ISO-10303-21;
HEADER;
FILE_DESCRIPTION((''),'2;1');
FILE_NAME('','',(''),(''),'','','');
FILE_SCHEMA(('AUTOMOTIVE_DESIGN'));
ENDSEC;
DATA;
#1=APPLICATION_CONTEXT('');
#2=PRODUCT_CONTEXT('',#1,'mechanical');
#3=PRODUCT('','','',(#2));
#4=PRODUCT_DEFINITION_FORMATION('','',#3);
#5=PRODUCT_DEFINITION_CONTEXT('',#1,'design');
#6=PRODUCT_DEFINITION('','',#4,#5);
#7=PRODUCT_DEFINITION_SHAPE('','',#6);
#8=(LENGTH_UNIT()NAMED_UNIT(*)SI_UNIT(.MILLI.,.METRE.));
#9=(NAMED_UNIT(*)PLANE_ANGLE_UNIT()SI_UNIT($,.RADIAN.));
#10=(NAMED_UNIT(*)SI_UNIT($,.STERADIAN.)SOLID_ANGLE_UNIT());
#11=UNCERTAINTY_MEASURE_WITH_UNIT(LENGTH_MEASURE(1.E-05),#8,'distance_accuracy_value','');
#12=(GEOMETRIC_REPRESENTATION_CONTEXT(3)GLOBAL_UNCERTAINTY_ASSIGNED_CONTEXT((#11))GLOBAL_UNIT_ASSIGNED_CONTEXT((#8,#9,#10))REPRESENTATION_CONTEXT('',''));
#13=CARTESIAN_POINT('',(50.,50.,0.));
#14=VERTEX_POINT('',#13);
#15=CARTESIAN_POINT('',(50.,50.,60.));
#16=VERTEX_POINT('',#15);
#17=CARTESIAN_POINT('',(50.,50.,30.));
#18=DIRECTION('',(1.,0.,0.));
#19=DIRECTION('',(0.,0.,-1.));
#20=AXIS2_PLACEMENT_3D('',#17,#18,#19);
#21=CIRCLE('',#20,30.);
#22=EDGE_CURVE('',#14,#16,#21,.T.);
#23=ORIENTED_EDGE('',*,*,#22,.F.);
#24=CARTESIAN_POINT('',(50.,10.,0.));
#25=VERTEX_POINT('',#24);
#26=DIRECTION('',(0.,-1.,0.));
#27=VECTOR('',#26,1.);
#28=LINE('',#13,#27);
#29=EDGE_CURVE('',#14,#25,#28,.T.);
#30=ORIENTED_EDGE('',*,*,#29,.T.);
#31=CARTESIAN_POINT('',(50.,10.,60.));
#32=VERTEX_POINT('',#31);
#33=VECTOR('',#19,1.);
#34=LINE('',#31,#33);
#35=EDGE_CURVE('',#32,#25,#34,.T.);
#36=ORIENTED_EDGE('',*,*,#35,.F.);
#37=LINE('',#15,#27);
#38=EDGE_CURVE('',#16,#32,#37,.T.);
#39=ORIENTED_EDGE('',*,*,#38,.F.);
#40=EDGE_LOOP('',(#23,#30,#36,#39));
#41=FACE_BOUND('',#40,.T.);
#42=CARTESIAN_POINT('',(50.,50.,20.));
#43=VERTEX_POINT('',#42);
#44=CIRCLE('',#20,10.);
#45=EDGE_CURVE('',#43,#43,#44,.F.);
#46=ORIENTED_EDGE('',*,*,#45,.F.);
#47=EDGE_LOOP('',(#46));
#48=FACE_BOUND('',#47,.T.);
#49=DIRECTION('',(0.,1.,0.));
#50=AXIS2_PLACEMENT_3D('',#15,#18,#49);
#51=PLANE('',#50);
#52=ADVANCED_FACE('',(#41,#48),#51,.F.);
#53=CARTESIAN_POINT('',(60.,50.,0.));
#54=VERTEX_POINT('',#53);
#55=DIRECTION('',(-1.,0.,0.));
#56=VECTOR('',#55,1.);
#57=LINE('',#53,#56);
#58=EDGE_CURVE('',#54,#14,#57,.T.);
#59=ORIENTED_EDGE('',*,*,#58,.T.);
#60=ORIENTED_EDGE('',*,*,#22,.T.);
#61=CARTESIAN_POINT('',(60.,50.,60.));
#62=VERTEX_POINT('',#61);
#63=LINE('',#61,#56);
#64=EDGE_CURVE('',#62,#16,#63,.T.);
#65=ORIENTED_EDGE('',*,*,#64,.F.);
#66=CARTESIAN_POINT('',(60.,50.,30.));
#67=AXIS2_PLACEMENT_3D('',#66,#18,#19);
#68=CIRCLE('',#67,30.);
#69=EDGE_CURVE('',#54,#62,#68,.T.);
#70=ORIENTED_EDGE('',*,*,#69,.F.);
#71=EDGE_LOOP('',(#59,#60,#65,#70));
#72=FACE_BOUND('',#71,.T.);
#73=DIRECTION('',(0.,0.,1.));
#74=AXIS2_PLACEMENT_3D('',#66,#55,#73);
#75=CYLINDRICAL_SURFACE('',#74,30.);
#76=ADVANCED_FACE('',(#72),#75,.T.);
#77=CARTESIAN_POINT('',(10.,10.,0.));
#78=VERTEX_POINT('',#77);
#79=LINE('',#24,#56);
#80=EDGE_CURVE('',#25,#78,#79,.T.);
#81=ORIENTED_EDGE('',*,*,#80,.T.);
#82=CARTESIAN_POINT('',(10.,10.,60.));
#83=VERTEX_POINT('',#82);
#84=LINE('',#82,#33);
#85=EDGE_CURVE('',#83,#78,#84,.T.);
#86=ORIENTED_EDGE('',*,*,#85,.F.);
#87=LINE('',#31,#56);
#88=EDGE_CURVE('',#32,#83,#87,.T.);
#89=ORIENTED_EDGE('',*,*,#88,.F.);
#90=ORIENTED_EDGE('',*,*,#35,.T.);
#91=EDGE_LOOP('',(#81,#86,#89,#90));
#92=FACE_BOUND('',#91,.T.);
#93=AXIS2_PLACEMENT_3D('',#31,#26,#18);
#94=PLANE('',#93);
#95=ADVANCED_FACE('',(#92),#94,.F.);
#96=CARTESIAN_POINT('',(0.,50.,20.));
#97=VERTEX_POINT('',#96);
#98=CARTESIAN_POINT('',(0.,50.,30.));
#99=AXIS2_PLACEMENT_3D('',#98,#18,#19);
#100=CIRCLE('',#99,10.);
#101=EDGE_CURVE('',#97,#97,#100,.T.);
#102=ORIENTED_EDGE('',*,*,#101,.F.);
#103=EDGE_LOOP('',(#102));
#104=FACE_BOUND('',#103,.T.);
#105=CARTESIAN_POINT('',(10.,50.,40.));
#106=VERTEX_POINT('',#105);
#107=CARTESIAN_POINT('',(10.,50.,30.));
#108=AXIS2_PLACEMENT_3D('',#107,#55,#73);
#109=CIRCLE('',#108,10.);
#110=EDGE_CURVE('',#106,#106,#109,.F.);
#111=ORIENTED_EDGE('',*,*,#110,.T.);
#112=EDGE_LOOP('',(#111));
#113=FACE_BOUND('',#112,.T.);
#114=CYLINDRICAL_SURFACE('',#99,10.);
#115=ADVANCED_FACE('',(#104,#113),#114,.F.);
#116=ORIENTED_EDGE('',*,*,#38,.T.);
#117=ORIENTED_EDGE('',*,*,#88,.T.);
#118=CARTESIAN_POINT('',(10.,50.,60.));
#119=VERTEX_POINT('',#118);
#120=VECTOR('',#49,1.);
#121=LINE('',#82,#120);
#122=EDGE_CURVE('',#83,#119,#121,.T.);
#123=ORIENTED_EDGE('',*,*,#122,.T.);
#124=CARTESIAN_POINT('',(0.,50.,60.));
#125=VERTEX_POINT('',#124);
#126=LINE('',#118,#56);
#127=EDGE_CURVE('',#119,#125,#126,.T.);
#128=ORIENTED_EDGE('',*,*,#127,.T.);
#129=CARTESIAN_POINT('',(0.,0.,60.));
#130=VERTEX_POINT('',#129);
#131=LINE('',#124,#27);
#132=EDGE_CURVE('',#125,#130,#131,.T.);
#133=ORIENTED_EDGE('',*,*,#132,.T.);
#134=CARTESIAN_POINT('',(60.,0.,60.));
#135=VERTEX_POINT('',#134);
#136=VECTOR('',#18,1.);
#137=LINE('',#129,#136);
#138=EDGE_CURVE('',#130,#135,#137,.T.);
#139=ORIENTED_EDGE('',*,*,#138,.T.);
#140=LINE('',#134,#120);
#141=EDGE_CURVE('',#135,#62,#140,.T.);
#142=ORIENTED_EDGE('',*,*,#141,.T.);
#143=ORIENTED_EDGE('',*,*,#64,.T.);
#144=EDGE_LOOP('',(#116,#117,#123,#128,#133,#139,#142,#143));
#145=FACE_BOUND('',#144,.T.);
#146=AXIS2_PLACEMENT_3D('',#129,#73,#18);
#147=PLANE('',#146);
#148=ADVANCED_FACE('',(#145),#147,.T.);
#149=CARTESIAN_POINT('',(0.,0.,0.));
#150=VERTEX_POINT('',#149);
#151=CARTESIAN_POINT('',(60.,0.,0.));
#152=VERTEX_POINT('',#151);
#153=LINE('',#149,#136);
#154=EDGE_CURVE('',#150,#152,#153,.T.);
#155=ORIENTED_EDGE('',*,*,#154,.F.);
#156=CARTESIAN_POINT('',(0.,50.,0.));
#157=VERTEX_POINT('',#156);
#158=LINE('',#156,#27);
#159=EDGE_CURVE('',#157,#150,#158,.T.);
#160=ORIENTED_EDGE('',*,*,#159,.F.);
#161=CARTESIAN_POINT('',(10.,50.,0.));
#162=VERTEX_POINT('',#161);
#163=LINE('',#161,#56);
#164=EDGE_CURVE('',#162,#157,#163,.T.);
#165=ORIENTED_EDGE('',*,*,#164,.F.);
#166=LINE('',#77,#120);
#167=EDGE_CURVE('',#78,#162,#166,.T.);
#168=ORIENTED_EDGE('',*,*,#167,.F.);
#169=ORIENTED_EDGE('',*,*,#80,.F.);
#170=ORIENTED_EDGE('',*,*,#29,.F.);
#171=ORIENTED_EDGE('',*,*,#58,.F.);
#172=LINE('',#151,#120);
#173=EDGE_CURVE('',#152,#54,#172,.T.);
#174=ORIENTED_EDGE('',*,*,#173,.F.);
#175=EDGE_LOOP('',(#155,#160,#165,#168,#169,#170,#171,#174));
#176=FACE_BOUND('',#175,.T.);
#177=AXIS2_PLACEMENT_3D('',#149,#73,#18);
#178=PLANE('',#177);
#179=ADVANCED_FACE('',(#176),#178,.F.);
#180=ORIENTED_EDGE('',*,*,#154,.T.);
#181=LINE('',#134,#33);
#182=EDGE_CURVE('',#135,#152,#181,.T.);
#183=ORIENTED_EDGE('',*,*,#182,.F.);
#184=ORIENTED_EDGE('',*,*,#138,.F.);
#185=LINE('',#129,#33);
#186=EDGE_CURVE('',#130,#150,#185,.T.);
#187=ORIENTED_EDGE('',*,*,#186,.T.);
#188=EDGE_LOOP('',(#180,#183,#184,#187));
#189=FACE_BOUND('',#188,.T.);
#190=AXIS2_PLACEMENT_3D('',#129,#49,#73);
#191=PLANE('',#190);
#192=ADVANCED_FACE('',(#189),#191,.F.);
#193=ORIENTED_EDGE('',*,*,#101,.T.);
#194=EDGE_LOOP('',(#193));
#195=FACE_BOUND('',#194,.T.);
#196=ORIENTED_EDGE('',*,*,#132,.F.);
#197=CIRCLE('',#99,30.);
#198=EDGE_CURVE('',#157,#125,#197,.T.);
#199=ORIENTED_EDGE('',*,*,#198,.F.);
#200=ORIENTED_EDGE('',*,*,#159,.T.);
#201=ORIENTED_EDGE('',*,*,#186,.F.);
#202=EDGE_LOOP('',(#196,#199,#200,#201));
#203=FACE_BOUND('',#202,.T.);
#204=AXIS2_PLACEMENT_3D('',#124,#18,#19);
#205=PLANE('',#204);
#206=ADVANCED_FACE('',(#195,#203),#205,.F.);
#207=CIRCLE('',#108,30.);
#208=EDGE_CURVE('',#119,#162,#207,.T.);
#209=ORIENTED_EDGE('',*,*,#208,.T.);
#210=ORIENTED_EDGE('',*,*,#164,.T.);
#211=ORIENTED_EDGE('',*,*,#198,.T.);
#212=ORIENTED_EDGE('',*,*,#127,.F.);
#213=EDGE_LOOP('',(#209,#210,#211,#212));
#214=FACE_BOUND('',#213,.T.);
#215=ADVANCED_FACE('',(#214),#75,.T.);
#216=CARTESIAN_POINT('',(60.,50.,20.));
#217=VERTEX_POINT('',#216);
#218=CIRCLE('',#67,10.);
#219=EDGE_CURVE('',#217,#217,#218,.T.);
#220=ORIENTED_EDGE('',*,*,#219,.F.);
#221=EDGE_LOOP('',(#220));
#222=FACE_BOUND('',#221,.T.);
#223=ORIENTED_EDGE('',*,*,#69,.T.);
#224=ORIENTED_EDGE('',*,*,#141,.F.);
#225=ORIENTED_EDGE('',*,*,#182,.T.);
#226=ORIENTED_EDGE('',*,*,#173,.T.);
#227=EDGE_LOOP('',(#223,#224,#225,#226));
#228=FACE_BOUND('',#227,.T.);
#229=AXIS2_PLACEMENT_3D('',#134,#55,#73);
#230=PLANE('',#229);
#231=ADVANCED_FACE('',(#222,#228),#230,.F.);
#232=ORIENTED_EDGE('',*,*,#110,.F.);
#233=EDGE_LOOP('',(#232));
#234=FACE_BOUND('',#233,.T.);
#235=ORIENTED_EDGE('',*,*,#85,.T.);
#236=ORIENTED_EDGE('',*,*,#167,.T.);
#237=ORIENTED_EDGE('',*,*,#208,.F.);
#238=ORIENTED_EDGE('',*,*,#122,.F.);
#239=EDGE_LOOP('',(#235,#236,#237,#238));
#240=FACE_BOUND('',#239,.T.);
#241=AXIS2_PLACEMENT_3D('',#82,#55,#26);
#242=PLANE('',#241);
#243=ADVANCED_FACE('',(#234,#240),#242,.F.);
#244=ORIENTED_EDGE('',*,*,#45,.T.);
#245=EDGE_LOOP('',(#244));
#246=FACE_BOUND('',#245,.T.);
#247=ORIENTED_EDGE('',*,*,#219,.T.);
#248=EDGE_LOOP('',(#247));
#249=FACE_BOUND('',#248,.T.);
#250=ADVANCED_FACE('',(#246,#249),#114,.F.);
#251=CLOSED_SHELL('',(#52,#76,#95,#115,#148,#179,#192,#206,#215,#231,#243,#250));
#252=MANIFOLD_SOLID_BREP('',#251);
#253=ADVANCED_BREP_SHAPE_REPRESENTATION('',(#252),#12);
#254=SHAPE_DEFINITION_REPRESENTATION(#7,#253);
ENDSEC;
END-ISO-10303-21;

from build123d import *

# Parameters (mm, degrees)
EXTRUDE_1_DEPTH     = 60
SKETCH_3_R          = 10
CUT_EXTRUDE_1_DEPTH = 99.488578018
EXTRUDE_START       = 60
SKETCH_8_R          = 30
SKETCH_8_R_2        = 10
EXTRUDE_5_DEPTH     = 60
SKETCH_10_W         = 40
SKETCH_10_H         = 70
CUT_EXTRUDE_3_DEPTH = 60


with BuildPart() as part:
    # 草圖2 → 填料-伸長1 (new body)
    with BuildSketch(Plane.XY):
        Polygon((0, 0), (60, 0), (60, 50), (50, 50), (50, 10), (10, 10), (10, 50), (0, 50), align=None)
    extrude(amount=EXTRUDE_1_DEPTH)

    # 草圖3 → 除料-伸長1 (cut, through all)
    with BuildSketch(Plane(origin=(60, 0, 0), x_dir=(0, 0, -1), z_dir=(1, 0, 0))):
        with Locations((-30, 50)):
            Circle(SKETCH_3_R)
    extrude(amount=-CUT_EXTRUDE_1_DEPTH, mode=Mode.SUBTRACT)

    # 草圖8 → 填料-伸長5 (add)
    with BuildSketch(Plane(origin=(0, 0, 0), x_dir=(0, 0, -1), z_dir=(1, 0, 0)).offset(EXTRUDE_START)):
        with Locations(Location((-30, 50, 0), (0, 0, 180))):
            Circle(SKETCH_8_R)
        with Locations((-30, 50)):
            Circle(SKETCH_8_R_2, mode=Mode.SUBTRACT)
    extrude(amount=-EXTRUDE_5_DEPTH)

    # 草圖10 → 除料-伸長3 (cut)
    with BuildSketch(Plane.XY.offset(60)):
        with Locations((30, 45)):
            Rectangle(SKETCH_10_W, SKETCH_10_H)
    extrude(amount=-CUT_EXTRUDE_3_DEPTH, mode=Mode.SUBTRACT)


solid = part.part
